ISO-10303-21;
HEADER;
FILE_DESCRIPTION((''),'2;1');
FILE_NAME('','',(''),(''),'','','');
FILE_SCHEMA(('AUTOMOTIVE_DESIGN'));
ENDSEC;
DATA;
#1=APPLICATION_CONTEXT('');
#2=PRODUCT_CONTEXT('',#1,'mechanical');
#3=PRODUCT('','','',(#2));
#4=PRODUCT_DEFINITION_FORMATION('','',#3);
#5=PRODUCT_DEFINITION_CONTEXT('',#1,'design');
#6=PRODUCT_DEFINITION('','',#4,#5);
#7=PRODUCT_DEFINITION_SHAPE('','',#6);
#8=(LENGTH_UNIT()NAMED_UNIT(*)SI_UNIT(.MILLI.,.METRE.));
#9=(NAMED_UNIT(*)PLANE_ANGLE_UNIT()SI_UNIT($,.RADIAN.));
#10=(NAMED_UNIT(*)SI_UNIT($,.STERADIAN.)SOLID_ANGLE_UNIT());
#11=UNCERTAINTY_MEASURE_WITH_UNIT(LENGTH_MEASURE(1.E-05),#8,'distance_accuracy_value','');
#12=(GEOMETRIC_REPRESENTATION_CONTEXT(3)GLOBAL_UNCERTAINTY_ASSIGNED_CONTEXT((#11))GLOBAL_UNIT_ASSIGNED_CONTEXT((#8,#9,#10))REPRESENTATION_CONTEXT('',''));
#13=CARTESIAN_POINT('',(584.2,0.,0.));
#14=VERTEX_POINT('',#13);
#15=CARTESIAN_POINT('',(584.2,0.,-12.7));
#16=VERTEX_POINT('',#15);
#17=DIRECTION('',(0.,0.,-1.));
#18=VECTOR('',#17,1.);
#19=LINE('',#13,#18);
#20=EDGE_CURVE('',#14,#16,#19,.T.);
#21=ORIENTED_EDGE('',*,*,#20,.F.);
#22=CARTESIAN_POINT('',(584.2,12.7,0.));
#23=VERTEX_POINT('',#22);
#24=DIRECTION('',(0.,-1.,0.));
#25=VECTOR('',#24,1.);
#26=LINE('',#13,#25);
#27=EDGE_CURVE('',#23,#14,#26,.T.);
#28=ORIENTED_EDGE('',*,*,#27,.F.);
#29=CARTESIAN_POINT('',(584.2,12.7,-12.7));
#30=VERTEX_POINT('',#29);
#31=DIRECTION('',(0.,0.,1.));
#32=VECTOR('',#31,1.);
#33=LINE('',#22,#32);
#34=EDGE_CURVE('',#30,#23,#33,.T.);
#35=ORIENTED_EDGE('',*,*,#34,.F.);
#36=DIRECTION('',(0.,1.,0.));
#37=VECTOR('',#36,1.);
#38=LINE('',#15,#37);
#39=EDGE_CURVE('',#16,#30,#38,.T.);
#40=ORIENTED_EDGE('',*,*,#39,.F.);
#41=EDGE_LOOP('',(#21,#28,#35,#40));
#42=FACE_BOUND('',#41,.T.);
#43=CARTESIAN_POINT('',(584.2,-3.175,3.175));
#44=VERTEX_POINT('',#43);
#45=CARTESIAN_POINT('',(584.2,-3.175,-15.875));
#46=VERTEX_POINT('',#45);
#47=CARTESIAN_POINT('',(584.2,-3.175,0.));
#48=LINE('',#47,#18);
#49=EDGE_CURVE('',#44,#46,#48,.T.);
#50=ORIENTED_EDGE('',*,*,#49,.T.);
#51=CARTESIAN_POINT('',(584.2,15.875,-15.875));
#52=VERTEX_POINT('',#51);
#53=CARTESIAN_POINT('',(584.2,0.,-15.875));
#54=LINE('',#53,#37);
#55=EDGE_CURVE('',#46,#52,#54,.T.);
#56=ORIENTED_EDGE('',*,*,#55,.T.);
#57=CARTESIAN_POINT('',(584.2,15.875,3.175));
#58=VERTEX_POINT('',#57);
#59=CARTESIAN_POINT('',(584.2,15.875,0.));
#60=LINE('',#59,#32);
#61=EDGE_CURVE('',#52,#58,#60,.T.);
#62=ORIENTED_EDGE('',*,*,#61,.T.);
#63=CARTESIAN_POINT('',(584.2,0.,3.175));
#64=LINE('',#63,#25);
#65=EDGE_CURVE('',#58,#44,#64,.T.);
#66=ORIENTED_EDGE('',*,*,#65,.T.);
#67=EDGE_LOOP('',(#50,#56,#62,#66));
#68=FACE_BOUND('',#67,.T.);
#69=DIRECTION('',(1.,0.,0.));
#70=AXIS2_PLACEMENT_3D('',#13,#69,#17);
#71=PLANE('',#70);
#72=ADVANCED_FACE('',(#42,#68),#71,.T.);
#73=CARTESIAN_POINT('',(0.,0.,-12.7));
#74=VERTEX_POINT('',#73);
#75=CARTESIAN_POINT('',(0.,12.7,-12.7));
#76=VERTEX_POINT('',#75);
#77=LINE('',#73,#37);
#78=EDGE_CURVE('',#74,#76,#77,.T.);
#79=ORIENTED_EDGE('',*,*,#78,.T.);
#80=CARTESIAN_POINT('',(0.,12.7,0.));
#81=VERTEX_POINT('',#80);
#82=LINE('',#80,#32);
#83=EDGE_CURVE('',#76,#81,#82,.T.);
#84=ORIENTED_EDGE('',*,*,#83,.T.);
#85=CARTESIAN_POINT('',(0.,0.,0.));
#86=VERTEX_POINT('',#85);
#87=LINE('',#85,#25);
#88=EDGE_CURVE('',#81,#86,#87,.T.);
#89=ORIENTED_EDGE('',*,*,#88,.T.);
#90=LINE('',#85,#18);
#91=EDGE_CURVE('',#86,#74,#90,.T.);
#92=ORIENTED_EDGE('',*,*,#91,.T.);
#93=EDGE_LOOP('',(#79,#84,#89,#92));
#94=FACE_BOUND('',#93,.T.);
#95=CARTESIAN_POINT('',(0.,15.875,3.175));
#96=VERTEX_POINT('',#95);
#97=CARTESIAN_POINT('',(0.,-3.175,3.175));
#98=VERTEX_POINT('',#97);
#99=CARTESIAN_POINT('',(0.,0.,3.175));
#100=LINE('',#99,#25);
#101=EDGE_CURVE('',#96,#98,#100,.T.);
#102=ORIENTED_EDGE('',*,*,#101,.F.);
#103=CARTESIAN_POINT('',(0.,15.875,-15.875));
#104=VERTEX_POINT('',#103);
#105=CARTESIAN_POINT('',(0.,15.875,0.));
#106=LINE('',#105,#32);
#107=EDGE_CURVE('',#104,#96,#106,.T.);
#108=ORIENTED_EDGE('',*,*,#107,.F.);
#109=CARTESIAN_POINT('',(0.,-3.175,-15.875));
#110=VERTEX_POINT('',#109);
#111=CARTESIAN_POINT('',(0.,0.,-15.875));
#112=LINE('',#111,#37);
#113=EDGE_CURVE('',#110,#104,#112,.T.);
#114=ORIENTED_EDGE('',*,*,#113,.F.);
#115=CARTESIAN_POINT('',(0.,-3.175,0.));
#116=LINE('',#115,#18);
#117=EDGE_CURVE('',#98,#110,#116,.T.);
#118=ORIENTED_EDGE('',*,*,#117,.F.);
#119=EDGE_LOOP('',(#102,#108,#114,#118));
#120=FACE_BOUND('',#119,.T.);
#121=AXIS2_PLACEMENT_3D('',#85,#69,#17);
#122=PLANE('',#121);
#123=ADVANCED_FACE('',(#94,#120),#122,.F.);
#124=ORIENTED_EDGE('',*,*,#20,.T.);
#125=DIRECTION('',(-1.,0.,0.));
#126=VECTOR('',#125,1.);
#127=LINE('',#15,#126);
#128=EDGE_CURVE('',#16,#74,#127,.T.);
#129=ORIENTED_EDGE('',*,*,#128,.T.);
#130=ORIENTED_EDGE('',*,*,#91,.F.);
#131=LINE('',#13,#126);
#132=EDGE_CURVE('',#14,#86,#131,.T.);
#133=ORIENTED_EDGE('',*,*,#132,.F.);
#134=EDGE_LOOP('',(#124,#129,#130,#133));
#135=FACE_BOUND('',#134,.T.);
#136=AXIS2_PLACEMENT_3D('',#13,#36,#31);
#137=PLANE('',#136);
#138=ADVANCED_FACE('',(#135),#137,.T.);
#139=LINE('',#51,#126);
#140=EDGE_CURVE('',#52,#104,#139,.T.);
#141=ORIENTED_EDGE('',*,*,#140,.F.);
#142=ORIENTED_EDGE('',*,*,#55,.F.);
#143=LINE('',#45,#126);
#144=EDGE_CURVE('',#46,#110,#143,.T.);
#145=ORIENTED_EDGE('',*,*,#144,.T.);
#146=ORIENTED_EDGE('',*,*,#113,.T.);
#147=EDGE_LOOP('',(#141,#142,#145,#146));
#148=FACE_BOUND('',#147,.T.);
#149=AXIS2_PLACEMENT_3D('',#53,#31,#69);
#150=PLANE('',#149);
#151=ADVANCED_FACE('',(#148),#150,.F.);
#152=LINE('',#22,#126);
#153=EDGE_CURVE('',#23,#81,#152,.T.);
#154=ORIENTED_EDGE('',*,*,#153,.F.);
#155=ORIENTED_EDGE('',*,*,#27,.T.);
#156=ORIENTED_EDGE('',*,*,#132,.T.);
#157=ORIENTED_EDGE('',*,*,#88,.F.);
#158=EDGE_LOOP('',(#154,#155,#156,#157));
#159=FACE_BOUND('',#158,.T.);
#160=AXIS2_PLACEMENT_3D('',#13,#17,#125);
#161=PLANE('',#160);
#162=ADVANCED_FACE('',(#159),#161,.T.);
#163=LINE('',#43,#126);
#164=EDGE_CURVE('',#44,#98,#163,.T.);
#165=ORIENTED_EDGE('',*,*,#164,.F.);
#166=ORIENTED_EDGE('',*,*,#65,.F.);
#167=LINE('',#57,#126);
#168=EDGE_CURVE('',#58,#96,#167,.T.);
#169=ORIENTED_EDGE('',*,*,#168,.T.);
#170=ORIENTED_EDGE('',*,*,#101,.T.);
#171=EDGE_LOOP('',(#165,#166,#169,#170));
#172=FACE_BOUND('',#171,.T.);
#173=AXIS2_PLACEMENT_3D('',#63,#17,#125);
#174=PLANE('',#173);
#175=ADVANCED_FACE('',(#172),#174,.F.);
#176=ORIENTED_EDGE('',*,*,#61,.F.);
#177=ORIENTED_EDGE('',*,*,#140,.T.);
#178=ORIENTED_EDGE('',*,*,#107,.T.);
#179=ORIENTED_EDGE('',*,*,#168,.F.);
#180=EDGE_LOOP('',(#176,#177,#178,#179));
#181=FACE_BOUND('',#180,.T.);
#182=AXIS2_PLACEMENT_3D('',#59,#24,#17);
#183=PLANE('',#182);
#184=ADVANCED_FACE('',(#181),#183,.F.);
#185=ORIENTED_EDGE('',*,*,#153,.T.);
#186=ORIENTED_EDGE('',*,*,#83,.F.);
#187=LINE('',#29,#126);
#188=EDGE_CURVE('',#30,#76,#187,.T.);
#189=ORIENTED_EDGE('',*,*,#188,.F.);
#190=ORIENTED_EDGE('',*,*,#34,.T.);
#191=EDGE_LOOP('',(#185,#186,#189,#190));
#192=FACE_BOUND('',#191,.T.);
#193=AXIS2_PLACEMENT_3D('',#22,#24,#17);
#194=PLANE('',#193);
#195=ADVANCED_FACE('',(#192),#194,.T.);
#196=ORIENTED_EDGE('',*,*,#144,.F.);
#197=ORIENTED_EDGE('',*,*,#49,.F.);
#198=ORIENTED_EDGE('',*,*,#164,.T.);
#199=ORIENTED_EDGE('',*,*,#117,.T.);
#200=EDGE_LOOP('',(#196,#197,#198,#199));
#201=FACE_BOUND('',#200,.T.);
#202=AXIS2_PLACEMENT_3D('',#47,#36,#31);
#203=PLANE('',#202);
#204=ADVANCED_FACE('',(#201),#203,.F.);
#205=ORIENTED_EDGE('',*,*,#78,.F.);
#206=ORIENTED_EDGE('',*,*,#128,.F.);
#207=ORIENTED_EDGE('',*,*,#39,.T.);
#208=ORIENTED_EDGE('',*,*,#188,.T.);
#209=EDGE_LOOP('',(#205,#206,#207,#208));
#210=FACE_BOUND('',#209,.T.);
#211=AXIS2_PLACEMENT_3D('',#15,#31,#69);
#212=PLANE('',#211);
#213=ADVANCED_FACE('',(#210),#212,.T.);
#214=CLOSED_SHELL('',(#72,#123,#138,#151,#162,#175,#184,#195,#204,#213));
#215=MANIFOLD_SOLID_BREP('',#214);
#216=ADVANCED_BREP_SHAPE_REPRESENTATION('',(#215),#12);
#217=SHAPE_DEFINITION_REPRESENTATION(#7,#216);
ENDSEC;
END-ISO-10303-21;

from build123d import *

# Parameters (mm, degrees)
SKETCH1_W           = 19.05
SKETCH1_H           = 19.05
SKETCH1_W_2         = 12.7
SKETCH1_H_2         = 12.7
EXTRUDE_THIN1_DEPTH = 584.2


with BuildPart() as part:
    # Sketch1 → Extrude-Thin1 (new body)
    with BuildSketch(Plane(origin=(0, 0, 0), x_dir=(0, 0, -1), z_dir=(1, 0, 0))):
        with Locations((6.35, 6.35)):
            Rectangle(SKETCH1_W, SKETCH1_H)
        with Locations((6.35, 6.35)):
            Rectangle(SKETCH1_W_2, SKETCH1_H_2, mode=Mode.SUBTRACT)
    extrude(amount=EXTRUDE_THIN1_DEPTH)


solid = part.part
